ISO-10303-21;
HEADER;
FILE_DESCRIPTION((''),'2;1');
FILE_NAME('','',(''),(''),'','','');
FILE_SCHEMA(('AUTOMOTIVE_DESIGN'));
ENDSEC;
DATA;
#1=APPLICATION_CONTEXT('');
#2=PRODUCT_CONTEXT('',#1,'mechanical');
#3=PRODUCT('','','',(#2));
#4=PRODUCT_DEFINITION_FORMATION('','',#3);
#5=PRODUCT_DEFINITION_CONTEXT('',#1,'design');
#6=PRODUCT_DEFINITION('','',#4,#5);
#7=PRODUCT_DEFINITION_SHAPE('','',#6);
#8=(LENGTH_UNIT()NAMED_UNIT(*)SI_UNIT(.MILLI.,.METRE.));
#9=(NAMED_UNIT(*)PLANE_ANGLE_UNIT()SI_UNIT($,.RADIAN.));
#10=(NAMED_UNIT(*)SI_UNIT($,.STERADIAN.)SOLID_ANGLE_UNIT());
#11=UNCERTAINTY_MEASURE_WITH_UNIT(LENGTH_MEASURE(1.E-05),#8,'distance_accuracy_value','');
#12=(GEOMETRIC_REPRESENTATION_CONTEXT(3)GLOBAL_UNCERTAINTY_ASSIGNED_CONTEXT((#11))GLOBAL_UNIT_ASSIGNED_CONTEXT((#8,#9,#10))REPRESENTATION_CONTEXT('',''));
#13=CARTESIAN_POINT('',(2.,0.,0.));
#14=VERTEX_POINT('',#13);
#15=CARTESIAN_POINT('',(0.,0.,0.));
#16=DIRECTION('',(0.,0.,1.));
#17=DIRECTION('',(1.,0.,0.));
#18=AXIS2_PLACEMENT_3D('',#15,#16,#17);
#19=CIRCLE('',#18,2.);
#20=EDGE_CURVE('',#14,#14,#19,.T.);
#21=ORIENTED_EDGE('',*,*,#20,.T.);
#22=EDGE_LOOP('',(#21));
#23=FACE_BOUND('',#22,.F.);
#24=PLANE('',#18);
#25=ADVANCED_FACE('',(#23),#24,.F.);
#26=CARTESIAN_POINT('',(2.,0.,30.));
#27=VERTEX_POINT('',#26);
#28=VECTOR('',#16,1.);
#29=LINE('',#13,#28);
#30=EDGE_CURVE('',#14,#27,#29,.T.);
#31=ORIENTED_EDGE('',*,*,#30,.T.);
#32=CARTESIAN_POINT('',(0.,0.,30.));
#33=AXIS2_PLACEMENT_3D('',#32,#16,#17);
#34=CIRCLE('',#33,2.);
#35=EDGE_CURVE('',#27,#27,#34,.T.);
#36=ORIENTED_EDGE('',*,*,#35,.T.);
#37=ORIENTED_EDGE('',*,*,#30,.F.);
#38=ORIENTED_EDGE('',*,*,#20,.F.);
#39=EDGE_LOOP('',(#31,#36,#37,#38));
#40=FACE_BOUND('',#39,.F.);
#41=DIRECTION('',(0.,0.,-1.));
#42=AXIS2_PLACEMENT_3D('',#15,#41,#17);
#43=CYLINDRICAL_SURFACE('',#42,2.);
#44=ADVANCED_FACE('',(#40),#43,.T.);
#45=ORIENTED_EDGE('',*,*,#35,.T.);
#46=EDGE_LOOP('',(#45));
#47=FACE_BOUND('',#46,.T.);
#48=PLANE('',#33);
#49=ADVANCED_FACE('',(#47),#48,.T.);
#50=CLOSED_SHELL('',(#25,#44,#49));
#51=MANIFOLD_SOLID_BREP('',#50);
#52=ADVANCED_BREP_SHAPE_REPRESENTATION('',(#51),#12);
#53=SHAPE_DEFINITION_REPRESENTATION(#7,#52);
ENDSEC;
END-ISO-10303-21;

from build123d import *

# Parameters (mm, degrees)
SKETCH_1_R      = 2
EXTRUDE_1_DEPTH = 30


with BuildPart() as part:
    # 草图1 → 凸台-拉伸1 (new body)
    with BuildSketch(Plane.XY):
        Circle(SKETCH_1_R)
    extrude(amount=EXTRUDE_1_DEPTH)


solid = part.part
